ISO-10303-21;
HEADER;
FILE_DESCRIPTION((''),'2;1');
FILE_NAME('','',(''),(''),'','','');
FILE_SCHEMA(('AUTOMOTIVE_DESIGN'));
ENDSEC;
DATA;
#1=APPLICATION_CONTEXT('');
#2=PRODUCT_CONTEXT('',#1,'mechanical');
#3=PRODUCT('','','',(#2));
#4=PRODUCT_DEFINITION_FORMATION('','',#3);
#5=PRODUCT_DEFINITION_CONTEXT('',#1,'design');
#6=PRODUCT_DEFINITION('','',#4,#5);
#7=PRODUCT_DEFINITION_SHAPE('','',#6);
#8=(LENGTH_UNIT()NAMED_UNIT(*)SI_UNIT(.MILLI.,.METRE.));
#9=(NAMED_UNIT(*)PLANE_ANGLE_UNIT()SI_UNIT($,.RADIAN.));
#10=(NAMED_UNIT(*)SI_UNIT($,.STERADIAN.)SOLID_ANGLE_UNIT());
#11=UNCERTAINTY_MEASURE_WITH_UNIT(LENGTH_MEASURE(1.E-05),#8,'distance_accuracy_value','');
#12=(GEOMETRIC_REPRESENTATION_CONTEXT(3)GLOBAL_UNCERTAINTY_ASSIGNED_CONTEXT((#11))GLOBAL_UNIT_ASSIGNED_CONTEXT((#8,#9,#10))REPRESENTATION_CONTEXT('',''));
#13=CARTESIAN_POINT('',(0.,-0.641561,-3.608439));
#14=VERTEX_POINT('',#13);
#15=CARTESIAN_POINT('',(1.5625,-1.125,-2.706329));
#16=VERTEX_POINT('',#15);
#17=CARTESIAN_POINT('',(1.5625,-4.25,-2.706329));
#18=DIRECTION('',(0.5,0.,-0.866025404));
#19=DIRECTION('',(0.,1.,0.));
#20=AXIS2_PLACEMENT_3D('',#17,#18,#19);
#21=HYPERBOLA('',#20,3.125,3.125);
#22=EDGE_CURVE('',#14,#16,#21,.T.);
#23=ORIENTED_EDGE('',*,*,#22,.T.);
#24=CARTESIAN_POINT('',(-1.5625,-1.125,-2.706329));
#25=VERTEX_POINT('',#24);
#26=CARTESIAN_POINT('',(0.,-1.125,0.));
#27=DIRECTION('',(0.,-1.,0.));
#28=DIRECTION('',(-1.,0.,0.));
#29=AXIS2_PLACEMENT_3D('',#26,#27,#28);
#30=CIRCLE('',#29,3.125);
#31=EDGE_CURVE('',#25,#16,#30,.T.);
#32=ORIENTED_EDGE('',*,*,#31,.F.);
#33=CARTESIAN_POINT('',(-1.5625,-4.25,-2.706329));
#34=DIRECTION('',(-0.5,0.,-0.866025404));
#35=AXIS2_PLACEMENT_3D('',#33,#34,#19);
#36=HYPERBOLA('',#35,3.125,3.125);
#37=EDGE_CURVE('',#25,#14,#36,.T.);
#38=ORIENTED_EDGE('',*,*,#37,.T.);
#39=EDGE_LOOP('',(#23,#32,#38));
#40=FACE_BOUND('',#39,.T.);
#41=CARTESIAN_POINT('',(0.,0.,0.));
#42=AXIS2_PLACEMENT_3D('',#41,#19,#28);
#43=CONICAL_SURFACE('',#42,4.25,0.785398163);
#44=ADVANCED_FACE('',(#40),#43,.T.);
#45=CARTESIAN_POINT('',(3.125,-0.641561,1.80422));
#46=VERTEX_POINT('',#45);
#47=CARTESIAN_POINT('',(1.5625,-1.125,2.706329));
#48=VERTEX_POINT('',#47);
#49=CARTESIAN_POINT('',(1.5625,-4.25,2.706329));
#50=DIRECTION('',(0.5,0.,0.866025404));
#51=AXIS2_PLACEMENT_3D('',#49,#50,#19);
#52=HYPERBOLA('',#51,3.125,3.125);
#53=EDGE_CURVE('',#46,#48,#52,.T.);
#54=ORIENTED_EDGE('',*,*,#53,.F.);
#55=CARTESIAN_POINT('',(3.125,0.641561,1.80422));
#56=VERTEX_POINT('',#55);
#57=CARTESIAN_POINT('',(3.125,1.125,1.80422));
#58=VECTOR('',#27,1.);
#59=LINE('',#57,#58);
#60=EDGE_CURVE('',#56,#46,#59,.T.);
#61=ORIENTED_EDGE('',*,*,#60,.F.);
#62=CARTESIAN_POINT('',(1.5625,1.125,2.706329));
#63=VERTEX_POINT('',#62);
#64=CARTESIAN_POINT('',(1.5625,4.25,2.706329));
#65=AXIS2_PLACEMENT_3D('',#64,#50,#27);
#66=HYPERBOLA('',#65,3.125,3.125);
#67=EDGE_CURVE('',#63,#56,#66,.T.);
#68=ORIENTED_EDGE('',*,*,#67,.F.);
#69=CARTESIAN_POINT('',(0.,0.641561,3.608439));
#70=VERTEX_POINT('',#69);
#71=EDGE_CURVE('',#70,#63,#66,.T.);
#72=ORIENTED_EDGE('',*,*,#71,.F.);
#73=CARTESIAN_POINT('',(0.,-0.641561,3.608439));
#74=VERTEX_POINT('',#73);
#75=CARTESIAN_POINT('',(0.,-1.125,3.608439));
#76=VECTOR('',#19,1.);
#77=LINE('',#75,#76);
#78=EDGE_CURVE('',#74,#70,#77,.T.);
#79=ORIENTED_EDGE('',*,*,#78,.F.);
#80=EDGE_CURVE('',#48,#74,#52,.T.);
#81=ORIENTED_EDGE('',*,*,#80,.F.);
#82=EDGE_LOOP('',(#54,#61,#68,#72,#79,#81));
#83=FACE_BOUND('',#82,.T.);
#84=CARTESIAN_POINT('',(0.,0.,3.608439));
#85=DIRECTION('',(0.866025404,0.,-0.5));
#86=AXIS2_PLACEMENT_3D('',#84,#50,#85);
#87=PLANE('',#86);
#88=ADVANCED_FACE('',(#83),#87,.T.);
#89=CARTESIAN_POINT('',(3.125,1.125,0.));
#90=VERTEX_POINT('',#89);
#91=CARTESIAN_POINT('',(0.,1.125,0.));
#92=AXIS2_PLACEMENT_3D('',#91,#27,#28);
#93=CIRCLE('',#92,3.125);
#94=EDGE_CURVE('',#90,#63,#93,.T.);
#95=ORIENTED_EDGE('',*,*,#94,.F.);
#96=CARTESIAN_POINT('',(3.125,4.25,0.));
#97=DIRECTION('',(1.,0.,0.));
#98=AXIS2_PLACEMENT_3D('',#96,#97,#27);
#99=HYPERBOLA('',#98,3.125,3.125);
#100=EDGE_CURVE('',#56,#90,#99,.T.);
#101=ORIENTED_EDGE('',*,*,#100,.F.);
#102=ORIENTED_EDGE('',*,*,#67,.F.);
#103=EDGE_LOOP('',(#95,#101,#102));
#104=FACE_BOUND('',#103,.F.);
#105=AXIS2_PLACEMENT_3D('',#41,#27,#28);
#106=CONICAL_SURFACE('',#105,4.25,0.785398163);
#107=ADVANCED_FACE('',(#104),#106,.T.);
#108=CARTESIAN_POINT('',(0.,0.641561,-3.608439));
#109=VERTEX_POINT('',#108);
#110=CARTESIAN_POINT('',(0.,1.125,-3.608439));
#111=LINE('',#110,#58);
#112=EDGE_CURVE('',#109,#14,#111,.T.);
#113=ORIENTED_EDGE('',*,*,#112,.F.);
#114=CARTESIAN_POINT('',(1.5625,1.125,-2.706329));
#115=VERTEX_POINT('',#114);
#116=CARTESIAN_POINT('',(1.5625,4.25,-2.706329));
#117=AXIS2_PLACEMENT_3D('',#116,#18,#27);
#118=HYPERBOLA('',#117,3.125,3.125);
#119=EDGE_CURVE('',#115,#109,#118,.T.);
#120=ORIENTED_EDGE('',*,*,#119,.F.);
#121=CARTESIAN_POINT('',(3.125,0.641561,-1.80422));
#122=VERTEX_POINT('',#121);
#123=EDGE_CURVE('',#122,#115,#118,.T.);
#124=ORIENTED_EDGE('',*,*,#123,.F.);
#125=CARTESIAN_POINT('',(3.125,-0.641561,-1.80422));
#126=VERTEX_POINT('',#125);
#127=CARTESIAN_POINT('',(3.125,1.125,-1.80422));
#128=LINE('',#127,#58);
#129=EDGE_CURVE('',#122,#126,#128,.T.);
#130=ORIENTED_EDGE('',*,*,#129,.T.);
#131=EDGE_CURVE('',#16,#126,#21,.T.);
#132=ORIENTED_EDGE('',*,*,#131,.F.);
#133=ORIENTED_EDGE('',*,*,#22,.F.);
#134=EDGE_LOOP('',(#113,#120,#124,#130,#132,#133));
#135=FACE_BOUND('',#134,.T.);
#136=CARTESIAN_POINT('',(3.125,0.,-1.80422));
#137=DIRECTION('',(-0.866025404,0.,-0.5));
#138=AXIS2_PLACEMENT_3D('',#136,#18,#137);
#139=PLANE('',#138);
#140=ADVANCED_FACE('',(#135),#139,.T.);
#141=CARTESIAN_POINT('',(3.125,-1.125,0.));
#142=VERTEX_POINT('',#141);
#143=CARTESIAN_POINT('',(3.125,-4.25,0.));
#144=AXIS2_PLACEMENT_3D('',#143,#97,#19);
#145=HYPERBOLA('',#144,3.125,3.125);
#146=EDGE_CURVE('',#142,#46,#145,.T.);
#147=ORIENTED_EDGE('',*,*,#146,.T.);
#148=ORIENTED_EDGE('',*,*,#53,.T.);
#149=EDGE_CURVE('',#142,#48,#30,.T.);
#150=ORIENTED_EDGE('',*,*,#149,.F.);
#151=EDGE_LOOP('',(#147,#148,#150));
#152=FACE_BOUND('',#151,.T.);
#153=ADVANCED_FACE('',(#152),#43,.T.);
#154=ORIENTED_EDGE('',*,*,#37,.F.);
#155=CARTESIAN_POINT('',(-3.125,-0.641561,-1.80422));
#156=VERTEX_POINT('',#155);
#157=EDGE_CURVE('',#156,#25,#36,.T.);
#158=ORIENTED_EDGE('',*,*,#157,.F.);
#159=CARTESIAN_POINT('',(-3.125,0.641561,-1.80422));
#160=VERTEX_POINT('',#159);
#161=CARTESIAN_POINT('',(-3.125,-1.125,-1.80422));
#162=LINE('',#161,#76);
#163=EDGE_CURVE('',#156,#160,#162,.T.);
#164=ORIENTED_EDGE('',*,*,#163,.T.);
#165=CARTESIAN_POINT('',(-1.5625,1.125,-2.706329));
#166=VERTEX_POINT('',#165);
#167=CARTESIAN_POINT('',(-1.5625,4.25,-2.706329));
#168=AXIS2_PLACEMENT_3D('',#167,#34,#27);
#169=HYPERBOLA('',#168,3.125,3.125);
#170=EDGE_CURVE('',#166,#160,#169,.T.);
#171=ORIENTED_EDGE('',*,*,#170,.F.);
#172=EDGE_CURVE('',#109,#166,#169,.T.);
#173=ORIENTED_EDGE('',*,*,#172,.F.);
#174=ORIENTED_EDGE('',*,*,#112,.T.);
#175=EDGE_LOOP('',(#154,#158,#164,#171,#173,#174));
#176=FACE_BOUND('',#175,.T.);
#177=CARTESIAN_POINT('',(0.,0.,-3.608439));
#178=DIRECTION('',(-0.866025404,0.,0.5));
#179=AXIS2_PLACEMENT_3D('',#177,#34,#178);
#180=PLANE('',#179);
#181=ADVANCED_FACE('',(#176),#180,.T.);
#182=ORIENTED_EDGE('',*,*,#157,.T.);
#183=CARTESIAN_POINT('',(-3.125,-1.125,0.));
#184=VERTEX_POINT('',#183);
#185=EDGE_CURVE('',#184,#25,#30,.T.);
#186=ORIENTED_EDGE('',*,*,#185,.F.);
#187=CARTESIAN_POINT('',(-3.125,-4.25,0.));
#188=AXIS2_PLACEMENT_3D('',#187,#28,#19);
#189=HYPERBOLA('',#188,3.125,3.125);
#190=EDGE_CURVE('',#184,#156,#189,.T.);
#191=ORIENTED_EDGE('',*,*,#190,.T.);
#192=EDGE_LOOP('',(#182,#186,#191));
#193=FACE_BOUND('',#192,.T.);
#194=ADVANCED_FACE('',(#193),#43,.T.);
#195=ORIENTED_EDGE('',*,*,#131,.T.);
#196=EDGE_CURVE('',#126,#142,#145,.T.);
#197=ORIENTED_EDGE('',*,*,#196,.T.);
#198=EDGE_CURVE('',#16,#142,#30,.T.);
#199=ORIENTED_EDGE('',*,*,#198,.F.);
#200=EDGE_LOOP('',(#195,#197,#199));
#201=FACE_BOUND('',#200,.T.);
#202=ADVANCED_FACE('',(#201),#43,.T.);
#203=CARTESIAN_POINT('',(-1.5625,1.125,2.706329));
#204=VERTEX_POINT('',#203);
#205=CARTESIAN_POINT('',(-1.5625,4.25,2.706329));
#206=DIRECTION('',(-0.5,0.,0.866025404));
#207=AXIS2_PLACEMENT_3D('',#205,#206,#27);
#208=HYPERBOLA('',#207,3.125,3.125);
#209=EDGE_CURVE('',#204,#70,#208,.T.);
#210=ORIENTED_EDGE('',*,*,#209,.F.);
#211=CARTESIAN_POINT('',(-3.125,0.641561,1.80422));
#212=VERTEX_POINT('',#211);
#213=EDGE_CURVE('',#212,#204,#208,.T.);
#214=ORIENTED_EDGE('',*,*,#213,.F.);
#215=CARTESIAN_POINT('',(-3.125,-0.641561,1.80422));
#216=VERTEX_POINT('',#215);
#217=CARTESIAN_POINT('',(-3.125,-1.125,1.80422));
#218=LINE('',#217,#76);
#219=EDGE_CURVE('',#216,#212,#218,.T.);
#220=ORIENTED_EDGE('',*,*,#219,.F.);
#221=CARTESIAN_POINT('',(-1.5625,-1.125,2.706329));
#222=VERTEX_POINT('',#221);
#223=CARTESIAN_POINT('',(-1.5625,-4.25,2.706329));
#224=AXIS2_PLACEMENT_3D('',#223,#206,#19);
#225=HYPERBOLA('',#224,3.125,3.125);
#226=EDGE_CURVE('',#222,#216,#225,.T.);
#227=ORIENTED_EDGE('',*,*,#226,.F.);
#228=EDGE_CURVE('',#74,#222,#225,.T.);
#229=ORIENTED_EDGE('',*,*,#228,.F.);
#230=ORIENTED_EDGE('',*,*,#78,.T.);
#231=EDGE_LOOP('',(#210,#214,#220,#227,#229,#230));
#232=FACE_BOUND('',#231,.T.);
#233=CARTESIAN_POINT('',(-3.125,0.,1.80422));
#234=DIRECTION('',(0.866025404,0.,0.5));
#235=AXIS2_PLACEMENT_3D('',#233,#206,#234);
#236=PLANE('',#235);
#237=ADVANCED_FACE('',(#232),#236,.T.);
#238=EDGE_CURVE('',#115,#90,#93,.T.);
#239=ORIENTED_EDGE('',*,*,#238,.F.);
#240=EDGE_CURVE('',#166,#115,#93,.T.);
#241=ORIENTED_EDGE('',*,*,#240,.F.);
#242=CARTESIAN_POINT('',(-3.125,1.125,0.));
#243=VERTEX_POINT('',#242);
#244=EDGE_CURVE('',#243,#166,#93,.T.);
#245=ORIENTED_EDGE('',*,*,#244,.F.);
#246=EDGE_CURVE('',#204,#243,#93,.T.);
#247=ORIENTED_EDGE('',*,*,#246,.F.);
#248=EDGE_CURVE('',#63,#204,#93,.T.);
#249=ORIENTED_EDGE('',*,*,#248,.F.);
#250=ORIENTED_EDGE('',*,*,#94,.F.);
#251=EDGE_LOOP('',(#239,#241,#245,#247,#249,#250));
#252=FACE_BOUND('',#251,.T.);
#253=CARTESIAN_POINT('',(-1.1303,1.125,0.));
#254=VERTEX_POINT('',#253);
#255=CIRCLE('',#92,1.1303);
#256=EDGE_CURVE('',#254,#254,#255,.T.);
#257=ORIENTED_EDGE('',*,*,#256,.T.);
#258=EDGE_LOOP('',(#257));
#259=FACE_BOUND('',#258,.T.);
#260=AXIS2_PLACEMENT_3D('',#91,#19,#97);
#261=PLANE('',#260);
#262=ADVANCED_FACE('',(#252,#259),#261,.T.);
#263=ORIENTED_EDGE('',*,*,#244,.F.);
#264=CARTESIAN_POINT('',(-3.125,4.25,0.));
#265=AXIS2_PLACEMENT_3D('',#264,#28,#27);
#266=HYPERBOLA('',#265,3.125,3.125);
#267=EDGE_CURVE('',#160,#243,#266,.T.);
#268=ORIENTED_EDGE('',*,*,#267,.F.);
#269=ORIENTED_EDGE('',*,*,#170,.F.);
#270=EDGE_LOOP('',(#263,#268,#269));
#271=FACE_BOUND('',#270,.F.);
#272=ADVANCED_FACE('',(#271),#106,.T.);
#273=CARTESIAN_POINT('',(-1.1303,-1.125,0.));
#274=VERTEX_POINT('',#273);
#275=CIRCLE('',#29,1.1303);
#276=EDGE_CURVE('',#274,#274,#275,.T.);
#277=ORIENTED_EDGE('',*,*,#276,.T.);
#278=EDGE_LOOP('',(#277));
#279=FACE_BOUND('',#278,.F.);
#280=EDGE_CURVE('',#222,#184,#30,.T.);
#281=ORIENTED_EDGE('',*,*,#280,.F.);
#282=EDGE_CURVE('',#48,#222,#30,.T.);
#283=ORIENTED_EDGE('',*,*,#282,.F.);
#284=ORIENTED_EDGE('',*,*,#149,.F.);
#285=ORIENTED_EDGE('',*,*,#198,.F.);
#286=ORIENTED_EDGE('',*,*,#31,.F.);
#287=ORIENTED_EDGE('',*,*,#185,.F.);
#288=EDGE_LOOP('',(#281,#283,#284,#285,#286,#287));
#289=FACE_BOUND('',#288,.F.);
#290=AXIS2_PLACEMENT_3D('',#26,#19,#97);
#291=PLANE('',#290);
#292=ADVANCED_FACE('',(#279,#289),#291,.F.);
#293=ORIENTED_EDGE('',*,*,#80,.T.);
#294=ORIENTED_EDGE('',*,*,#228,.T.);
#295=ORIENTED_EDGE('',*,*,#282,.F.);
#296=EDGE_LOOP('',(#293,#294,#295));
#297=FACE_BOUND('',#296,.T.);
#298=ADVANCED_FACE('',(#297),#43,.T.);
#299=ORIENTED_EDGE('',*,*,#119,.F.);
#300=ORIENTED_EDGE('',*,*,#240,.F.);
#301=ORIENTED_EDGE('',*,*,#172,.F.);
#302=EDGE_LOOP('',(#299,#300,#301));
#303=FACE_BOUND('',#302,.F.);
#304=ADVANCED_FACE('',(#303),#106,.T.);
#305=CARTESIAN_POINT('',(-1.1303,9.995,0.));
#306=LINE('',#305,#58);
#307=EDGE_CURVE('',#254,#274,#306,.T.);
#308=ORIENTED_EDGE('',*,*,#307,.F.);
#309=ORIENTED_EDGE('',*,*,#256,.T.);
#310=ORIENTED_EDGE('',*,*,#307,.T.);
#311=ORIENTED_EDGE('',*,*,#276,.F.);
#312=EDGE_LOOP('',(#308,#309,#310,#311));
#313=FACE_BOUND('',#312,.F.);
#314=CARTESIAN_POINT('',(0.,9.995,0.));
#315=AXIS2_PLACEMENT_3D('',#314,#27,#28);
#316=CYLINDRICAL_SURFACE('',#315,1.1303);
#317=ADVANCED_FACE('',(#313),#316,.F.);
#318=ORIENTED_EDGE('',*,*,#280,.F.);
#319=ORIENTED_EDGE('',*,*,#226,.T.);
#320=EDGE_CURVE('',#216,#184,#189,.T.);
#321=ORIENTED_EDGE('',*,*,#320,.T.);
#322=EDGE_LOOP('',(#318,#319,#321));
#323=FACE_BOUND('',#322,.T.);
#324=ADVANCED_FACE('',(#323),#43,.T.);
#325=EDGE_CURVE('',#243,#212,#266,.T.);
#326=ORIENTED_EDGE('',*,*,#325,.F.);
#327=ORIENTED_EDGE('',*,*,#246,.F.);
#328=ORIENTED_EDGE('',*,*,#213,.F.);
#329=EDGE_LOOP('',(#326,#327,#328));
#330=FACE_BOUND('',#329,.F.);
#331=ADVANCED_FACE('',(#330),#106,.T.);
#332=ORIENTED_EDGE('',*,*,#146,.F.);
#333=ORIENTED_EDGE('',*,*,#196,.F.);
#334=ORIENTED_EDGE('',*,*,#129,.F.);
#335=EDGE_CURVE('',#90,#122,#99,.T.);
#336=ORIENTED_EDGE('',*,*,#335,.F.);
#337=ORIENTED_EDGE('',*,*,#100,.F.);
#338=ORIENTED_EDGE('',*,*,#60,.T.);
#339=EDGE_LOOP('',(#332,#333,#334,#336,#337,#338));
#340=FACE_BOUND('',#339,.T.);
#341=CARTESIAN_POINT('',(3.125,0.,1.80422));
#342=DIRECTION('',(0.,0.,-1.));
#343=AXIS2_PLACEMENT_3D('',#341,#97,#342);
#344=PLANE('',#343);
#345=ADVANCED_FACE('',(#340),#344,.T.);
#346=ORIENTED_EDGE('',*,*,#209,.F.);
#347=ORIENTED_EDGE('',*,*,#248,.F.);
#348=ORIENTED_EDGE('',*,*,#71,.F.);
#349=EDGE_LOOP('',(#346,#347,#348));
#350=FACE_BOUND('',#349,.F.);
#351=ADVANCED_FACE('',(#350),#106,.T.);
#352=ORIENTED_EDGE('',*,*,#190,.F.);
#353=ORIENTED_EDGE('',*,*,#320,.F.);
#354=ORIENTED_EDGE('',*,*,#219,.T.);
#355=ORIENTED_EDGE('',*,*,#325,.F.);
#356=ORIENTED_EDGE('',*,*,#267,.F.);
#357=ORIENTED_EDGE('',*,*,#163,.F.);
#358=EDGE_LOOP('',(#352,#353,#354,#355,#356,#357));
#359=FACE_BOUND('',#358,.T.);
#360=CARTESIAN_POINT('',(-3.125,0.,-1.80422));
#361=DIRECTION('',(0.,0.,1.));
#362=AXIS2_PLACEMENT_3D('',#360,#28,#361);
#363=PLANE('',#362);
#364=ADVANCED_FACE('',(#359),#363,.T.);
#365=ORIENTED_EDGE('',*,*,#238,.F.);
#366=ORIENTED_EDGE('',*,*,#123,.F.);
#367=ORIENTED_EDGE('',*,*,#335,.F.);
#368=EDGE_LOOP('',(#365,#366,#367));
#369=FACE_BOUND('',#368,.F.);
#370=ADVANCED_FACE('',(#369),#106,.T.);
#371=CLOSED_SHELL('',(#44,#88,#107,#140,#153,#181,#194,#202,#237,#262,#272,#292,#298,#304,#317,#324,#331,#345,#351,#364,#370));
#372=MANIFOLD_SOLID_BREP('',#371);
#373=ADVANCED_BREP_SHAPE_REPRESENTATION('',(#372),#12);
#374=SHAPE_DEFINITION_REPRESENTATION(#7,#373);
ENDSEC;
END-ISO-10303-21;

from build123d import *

# Parameters (mm, degrees)
BOSS_EXTRUDE1_DEPTH       = 1.125
F_4_40_TAPPED_HOLE1_D     = 2.2606
F_4_40_TAPPED_HOLE1_DEPTH = 8.87
F_4_40_TAPPED_HOLE1_TIP   = 0.679152758


with BuildPart() as part:
    # Sketch1 → Boss-Extrude1 (new, symmetric)
    with BuildSketch(Plane(origin=(0, 0, 0), x_dir=(1, 0, 0), z_dir=(0, 1, 0))):
        Polygon((0, 3.608439182), (-3.125, 1.804219591), (-3.125, -1.804219591), (0, -3.608439182), (3.125, -1.804219591), (3.125, 1.804219591), align=None)
    extrude(amount=BOSS_EXTRUDE1_DEPTH, both=True)

    # Sketch2 → Cut-Revolve2 (revolve, cut)
    with BuildSketch(Plane.XY):
        Polygon((-4.25, 1.125), (-4.25, 0), (-3.125, 1.125), align=None)
    cut_revolve2 = revolve(axis=Axis((0, 4.25, 0), (0, -1, 0)), mode=Mode.SUBTRACT)

    # Mirror1: Cut-Revolve2 across plane
    add(cut_revolve2.mirror(Plane.ZX), mode=Mode.SUBTRACT)

    # #4-40 Tapped Hole1
    with Locations(Plane(origin=(0, 1.125, 0), x_dir=(1, 0, 0), z_dir=(0, 1, 0))):
        with Locations((0, 0)):
            Hole(F_4_40_TAPPED_HOLE1_D / 2, depth=F_4_40_TAPPED_HOLE1_DEPTH)
            with Locations((0, 0, -(F_4_40_TAPPED_HOLE1_DEPTH + F_4_40_TAPPED_HOLE1_TIP / 2))):  # 118° drill point
                Cone(0, F_4_40_TAPPED_HOLE1_D / 2, F_4_40_TAPPED_HOLE1_TIP, mode=Mode.SUBTRACT)


solid = part.part
